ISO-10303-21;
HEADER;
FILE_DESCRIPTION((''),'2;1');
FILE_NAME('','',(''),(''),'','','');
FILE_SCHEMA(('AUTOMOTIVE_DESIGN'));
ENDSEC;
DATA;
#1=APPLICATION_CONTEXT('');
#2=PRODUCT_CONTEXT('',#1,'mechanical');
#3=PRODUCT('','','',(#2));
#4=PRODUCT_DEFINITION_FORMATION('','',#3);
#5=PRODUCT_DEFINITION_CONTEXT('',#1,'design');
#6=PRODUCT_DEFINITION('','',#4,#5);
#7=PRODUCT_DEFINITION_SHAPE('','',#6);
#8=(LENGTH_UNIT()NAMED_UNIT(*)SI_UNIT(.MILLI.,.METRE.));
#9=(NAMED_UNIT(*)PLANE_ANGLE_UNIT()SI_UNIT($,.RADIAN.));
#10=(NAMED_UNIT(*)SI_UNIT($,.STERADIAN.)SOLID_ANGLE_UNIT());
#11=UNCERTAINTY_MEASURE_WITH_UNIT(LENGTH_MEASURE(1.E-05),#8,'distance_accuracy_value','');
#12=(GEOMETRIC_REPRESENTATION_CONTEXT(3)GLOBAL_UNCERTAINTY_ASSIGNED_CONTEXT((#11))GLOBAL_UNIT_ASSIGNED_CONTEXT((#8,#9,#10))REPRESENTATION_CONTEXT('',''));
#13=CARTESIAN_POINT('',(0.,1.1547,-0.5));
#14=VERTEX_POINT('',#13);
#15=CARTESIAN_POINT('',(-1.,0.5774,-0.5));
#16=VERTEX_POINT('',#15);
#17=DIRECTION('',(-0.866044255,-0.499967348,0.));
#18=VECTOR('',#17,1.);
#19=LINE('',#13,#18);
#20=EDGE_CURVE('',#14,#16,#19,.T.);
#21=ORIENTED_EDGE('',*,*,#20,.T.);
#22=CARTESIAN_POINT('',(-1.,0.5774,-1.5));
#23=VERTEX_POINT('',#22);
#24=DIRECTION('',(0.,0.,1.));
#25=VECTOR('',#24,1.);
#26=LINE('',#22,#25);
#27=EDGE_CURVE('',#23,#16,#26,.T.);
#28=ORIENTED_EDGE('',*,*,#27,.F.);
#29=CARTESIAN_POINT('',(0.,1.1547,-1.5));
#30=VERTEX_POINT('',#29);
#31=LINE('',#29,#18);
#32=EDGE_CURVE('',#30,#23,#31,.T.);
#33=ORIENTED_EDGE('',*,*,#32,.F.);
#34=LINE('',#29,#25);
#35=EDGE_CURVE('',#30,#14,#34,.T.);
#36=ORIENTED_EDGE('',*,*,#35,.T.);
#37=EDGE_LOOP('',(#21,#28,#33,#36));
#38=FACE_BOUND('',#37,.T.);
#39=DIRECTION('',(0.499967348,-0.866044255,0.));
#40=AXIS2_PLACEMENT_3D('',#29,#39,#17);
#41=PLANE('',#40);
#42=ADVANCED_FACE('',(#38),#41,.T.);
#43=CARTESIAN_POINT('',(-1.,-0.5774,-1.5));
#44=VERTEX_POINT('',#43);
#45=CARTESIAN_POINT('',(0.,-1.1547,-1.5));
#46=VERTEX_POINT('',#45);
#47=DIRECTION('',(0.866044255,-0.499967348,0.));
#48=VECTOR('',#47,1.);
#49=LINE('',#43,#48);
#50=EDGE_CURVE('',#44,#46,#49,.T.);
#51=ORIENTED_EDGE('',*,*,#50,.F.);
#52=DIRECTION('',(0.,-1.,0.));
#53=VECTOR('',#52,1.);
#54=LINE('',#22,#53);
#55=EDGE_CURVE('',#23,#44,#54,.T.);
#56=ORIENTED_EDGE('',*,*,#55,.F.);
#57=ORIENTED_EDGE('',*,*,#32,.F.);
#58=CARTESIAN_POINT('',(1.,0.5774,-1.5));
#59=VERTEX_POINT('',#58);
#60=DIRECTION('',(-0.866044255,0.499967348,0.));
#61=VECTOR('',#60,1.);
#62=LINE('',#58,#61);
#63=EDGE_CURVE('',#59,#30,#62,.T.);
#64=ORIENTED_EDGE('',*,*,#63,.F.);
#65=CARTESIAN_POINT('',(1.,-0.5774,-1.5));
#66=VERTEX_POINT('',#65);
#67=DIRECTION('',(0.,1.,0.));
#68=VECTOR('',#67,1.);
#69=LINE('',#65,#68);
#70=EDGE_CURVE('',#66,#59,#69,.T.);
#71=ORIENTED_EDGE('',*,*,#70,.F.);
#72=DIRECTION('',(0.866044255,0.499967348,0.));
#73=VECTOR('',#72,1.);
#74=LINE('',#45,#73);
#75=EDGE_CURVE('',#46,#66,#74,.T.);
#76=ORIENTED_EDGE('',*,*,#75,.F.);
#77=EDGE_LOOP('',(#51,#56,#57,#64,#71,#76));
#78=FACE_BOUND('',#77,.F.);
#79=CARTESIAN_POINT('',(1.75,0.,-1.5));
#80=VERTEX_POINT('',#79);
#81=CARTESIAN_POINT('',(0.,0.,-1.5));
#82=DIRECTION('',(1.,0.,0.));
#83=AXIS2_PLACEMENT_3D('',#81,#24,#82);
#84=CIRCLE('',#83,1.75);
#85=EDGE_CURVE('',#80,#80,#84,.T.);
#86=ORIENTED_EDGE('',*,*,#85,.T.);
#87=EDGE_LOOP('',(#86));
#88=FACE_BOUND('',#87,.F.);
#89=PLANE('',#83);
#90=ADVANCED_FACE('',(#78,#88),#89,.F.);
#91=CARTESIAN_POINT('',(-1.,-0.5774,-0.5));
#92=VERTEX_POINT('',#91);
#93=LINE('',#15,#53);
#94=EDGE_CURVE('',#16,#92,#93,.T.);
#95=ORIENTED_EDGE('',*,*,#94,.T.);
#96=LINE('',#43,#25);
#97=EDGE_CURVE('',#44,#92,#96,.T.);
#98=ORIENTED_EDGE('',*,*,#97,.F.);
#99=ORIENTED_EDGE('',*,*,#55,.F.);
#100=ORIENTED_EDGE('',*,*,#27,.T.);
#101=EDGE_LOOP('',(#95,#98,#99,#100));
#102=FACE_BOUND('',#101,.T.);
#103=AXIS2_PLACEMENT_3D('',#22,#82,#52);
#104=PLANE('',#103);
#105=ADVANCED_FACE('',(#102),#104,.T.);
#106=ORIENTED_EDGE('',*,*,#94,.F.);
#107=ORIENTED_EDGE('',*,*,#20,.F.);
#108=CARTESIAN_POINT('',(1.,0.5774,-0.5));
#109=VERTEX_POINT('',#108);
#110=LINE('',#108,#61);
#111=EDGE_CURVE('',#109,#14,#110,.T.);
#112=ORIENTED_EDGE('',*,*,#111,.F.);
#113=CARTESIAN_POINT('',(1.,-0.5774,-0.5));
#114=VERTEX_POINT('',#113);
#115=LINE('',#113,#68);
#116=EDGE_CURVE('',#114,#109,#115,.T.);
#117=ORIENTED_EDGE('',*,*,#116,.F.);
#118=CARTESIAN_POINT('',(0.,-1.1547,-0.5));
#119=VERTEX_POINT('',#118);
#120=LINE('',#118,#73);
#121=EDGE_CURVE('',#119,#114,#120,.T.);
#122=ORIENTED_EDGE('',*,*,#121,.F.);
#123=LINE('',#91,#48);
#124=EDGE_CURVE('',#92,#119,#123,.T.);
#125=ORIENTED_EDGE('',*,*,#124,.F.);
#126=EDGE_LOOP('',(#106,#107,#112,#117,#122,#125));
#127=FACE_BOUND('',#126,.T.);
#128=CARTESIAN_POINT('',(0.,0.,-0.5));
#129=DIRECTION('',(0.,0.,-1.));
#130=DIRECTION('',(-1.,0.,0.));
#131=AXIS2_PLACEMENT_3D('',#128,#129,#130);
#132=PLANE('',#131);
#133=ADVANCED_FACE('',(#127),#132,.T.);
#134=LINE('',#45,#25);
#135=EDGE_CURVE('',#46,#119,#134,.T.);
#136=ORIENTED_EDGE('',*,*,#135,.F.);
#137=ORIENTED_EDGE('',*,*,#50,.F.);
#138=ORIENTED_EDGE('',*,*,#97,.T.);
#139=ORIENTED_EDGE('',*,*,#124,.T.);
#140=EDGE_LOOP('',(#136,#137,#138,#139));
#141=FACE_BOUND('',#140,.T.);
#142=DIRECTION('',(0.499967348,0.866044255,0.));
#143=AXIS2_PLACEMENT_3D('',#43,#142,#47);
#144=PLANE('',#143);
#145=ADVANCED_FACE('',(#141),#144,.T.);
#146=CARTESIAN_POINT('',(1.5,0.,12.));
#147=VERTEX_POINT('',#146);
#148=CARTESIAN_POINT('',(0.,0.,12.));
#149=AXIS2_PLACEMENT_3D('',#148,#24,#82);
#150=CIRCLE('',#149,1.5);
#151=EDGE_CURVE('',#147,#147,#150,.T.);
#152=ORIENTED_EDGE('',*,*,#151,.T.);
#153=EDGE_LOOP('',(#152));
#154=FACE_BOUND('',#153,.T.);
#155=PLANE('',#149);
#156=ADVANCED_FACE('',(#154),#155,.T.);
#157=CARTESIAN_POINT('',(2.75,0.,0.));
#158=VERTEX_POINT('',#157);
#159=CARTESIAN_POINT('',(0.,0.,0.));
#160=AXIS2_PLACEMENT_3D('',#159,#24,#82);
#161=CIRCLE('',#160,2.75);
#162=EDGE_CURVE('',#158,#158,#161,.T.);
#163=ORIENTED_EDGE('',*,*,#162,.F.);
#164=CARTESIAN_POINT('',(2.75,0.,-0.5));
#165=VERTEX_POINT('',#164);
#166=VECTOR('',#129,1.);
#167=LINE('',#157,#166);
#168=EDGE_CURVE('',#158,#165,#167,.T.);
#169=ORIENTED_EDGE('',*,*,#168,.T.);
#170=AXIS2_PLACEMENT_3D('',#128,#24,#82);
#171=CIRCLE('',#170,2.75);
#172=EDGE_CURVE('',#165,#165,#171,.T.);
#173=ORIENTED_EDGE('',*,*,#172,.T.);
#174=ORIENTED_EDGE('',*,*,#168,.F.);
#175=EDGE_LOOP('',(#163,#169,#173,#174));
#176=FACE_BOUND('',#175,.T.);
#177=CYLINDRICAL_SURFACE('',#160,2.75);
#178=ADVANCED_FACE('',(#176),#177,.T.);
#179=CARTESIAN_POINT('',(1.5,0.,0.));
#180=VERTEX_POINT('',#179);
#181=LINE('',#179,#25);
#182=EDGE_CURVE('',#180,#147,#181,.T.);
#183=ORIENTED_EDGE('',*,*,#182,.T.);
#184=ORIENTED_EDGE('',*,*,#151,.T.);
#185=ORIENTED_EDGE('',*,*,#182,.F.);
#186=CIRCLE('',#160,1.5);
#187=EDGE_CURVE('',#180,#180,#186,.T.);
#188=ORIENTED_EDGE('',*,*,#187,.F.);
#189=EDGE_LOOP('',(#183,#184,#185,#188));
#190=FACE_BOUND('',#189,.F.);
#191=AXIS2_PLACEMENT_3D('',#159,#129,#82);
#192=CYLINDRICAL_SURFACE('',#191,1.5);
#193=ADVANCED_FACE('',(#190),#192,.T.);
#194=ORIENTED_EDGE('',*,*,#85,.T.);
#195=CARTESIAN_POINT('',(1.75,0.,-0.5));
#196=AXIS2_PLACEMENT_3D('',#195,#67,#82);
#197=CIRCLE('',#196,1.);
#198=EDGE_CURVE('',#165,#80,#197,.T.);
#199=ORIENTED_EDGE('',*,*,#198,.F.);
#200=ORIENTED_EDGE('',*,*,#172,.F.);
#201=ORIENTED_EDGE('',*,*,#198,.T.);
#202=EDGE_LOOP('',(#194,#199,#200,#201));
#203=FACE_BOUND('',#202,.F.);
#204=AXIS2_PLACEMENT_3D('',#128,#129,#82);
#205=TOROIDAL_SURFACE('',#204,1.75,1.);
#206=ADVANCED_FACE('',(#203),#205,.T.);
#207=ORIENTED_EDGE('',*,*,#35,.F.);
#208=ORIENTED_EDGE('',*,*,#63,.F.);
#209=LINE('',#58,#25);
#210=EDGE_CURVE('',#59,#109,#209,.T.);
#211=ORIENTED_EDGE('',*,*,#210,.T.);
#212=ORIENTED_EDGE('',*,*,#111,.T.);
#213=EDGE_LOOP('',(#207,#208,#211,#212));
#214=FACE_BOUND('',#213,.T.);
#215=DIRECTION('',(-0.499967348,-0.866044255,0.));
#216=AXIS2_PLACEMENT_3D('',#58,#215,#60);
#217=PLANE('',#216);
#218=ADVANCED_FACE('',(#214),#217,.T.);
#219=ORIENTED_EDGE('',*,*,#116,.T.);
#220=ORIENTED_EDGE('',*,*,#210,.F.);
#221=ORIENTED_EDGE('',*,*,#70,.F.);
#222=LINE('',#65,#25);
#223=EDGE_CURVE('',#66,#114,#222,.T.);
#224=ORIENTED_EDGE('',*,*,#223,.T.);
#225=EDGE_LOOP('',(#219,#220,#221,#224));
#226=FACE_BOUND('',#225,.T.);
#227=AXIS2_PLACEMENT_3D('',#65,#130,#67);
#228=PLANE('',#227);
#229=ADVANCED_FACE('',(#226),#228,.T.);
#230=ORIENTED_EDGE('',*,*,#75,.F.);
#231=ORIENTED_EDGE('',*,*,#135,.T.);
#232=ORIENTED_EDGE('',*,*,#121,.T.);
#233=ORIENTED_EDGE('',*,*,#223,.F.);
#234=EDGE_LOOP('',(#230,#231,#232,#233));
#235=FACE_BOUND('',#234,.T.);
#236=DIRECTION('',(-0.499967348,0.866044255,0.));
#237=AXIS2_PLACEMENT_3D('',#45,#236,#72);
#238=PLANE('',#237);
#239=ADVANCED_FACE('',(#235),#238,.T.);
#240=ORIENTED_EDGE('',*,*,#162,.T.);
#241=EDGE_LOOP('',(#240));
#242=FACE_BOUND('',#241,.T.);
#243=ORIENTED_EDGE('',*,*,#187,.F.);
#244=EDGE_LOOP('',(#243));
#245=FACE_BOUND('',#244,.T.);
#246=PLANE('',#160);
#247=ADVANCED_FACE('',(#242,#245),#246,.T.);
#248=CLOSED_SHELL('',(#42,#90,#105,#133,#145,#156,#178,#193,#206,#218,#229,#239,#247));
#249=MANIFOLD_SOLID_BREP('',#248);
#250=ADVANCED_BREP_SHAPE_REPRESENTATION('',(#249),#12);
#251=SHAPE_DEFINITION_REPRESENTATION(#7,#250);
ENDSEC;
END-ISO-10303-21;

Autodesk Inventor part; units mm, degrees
ref_plane "YZ Plane" through (0, 0, 0) normal (1, 0, 0) x (0, 1, 0)
ref_plane "XZ Plane" through (0, 0, 0) normal (0, 1, 0) x (-1, 0, 0)
ref_plane "XY Plane" through (0, 0, 0) normal (0, 0, 1) x (1, 0, 0)
sketch "Эскиз1" plane through (0, 0, 0) normal (0, 0, 1) x (1, 0, 0)
  circle A0 centre (0, 0) radius 1.5
  circle A1 centre (0, 0) radius 2.75
  dimension "d0" = 5.5
  dimension "d1" = 3
extrude "Выдавливание1" add sketch "Эскиз1" along normal blind 12 contours A0
extrude "Выдавливание2" add sketch "Эскиз1" against normal blind 1.5 contours A0 | A1
thread "Резьба1" size "M3x0.5" class "6g" standard "ISO Metric profile" full length
sketch "Эскиз2" plane through (0, 0, -1.5) normal (0, 0, -1) x (-1, 0, 0)
  line L0 (0, 1.1547) -> (1, 0.5774)
  line L1 (1, 0.5774) -> (1, -0.5774)
  line L2 (1, -0.5774) -> (0, -1.1547)
  line L3 (0, -1.1547) -> (-1, -0.5774)
  line L4 (-1, -0.5774) -> (-1, 0.5774)
  line L5 (-1, 0.5774) -> (0, 1.1547)
  point P0 (0, 0)
  point P1 (0, 0)
  dimension "d8" = 2
extrude "Выдавливание3" cut sketch "Эскиз2" against normal blind 1
fillet "Сопряжение1" radius 1 1 edges at (-2.75, 0, -1.5)
properties part number "Болт М3"
